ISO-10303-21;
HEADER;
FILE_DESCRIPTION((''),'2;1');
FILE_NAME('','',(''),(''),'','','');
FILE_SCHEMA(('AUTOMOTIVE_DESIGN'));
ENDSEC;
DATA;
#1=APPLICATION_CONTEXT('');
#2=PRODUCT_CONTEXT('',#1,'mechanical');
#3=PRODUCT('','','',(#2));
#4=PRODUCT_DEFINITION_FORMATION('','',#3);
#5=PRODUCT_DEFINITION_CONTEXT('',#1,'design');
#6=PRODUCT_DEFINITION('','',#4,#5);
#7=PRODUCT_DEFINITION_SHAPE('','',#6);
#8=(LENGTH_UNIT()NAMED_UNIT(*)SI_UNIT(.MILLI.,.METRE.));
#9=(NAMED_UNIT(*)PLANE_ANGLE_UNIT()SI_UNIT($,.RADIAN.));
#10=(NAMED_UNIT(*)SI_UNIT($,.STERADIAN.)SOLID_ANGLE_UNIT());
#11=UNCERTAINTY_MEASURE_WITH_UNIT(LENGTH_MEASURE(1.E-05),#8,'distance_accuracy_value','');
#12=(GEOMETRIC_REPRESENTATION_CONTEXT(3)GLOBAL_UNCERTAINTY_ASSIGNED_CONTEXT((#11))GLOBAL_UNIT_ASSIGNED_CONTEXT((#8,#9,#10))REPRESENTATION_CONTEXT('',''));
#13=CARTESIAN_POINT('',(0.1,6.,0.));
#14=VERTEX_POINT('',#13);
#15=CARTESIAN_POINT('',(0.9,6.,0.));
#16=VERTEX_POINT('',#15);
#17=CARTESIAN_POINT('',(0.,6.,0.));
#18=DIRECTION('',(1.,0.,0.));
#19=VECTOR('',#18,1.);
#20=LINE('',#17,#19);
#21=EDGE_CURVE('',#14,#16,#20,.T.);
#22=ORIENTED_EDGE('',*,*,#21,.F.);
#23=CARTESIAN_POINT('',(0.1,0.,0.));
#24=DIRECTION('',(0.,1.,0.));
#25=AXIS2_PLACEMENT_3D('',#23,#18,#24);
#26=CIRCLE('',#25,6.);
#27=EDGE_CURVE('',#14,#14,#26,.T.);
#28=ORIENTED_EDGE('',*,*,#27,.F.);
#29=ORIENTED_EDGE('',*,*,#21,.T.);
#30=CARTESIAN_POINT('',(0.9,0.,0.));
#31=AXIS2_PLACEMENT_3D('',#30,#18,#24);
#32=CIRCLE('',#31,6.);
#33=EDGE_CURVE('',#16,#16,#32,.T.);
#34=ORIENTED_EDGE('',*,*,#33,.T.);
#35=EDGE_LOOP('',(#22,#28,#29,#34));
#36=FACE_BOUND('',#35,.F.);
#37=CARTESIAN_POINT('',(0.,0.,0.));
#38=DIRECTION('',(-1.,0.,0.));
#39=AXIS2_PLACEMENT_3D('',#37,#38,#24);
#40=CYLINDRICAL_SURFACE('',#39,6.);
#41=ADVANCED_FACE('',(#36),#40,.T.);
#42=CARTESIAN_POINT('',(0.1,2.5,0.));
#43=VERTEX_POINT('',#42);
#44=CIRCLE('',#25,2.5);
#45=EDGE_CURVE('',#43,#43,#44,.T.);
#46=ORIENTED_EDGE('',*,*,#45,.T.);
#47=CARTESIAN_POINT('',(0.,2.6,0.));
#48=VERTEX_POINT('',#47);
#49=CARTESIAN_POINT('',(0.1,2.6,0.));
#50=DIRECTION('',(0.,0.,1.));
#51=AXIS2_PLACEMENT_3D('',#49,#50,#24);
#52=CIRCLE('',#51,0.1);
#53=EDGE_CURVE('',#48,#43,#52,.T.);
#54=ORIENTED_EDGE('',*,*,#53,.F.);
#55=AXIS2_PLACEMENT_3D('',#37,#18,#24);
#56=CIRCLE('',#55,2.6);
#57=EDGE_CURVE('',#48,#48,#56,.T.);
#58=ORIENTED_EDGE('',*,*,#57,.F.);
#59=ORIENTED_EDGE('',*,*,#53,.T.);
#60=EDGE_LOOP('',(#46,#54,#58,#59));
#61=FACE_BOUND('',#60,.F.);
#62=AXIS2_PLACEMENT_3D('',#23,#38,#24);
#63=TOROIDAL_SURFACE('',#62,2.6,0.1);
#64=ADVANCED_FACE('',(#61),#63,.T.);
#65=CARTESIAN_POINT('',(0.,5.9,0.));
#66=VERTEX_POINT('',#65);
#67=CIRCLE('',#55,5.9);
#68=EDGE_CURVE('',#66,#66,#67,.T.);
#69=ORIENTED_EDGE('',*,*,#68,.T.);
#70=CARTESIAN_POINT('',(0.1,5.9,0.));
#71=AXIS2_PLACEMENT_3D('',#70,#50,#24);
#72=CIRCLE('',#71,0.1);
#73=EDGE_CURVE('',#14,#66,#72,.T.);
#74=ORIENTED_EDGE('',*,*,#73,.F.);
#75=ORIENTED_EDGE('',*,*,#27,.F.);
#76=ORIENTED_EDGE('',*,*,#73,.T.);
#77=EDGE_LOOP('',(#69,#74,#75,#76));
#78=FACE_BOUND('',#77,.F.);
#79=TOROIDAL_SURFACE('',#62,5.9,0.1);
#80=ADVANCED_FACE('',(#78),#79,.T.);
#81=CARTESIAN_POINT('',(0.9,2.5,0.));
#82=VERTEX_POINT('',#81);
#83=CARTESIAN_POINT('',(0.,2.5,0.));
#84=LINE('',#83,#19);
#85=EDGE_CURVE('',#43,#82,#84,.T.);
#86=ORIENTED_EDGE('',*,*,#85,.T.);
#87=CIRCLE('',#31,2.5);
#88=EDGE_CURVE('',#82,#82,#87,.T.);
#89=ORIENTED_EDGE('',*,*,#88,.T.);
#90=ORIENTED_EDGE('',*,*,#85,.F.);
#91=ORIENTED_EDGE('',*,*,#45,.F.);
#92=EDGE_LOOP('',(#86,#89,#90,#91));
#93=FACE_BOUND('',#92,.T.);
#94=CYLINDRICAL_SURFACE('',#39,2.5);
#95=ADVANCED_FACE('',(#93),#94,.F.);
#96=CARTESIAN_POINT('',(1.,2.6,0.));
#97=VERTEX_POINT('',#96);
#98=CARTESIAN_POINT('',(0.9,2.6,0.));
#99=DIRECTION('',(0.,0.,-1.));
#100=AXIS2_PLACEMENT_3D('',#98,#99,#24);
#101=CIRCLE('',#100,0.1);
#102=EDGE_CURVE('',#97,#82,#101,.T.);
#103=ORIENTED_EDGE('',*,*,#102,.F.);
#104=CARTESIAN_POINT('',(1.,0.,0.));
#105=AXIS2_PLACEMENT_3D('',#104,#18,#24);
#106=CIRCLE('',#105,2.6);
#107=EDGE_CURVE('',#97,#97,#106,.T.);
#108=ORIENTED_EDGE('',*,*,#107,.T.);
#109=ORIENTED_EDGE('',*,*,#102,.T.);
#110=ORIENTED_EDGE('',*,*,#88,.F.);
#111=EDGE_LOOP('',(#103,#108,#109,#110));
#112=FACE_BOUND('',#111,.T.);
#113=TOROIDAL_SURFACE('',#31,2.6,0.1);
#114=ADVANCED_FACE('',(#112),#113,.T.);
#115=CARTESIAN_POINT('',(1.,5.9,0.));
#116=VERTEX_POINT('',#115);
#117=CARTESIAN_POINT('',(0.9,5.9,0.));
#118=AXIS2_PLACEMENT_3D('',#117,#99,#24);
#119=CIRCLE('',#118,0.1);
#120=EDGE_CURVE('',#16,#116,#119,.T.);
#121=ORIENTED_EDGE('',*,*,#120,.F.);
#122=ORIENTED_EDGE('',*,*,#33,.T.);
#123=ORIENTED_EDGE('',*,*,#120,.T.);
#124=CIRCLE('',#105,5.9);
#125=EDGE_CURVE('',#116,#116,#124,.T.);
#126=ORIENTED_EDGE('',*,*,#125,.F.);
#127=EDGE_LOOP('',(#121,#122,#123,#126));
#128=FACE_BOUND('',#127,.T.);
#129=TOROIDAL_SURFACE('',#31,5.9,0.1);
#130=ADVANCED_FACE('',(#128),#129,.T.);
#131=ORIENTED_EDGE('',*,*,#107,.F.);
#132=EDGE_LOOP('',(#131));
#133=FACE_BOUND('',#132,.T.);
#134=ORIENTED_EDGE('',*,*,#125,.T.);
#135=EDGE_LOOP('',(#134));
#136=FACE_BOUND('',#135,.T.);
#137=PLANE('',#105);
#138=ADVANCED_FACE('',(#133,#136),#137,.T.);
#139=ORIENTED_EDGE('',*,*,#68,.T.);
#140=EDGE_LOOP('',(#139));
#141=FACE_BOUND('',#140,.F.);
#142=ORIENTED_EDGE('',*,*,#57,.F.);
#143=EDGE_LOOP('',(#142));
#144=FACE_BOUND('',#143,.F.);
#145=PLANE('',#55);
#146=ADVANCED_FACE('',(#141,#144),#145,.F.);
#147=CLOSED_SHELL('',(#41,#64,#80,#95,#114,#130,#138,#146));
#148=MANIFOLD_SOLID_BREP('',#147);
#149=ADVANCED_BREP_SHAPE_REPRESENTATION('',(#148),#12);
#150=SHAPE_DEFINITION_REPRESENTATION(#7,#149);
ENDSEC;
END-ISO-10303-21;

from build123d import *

# Parameters (mm, degrees)
F0_R     = 6
F0_R_2   = 2.5
F1_DEPTH = 1
F2_R     = 0.1
F3_R     = 0.1


with BuildPart() as f1:
    # F0 (on Right) → F1 (new body)
    with BuildSketch(Plane.YZ):
        Circle(F0_R)
        Circle(F0_R_2, mode=Mode.SUBTRACT)
    extrude(amount=F1_DEPTH)

    # F2
    f2_edges = [f1.edges().sort_by_distance(p)[0] for p in [
        (1, -6, 0),
        (0, -6, 0),
    ]]
    fillet(f2_edges, radius=F2_R)

    # F3
    f3_edges = [f1.edges().sort_by_distance(p)[0] for p in [
        (0, -2.5, 0),
        (1, -2.5, 0),
    ]]
    fillet(f3_edges, radius=F3_R)


solid = f1.part
